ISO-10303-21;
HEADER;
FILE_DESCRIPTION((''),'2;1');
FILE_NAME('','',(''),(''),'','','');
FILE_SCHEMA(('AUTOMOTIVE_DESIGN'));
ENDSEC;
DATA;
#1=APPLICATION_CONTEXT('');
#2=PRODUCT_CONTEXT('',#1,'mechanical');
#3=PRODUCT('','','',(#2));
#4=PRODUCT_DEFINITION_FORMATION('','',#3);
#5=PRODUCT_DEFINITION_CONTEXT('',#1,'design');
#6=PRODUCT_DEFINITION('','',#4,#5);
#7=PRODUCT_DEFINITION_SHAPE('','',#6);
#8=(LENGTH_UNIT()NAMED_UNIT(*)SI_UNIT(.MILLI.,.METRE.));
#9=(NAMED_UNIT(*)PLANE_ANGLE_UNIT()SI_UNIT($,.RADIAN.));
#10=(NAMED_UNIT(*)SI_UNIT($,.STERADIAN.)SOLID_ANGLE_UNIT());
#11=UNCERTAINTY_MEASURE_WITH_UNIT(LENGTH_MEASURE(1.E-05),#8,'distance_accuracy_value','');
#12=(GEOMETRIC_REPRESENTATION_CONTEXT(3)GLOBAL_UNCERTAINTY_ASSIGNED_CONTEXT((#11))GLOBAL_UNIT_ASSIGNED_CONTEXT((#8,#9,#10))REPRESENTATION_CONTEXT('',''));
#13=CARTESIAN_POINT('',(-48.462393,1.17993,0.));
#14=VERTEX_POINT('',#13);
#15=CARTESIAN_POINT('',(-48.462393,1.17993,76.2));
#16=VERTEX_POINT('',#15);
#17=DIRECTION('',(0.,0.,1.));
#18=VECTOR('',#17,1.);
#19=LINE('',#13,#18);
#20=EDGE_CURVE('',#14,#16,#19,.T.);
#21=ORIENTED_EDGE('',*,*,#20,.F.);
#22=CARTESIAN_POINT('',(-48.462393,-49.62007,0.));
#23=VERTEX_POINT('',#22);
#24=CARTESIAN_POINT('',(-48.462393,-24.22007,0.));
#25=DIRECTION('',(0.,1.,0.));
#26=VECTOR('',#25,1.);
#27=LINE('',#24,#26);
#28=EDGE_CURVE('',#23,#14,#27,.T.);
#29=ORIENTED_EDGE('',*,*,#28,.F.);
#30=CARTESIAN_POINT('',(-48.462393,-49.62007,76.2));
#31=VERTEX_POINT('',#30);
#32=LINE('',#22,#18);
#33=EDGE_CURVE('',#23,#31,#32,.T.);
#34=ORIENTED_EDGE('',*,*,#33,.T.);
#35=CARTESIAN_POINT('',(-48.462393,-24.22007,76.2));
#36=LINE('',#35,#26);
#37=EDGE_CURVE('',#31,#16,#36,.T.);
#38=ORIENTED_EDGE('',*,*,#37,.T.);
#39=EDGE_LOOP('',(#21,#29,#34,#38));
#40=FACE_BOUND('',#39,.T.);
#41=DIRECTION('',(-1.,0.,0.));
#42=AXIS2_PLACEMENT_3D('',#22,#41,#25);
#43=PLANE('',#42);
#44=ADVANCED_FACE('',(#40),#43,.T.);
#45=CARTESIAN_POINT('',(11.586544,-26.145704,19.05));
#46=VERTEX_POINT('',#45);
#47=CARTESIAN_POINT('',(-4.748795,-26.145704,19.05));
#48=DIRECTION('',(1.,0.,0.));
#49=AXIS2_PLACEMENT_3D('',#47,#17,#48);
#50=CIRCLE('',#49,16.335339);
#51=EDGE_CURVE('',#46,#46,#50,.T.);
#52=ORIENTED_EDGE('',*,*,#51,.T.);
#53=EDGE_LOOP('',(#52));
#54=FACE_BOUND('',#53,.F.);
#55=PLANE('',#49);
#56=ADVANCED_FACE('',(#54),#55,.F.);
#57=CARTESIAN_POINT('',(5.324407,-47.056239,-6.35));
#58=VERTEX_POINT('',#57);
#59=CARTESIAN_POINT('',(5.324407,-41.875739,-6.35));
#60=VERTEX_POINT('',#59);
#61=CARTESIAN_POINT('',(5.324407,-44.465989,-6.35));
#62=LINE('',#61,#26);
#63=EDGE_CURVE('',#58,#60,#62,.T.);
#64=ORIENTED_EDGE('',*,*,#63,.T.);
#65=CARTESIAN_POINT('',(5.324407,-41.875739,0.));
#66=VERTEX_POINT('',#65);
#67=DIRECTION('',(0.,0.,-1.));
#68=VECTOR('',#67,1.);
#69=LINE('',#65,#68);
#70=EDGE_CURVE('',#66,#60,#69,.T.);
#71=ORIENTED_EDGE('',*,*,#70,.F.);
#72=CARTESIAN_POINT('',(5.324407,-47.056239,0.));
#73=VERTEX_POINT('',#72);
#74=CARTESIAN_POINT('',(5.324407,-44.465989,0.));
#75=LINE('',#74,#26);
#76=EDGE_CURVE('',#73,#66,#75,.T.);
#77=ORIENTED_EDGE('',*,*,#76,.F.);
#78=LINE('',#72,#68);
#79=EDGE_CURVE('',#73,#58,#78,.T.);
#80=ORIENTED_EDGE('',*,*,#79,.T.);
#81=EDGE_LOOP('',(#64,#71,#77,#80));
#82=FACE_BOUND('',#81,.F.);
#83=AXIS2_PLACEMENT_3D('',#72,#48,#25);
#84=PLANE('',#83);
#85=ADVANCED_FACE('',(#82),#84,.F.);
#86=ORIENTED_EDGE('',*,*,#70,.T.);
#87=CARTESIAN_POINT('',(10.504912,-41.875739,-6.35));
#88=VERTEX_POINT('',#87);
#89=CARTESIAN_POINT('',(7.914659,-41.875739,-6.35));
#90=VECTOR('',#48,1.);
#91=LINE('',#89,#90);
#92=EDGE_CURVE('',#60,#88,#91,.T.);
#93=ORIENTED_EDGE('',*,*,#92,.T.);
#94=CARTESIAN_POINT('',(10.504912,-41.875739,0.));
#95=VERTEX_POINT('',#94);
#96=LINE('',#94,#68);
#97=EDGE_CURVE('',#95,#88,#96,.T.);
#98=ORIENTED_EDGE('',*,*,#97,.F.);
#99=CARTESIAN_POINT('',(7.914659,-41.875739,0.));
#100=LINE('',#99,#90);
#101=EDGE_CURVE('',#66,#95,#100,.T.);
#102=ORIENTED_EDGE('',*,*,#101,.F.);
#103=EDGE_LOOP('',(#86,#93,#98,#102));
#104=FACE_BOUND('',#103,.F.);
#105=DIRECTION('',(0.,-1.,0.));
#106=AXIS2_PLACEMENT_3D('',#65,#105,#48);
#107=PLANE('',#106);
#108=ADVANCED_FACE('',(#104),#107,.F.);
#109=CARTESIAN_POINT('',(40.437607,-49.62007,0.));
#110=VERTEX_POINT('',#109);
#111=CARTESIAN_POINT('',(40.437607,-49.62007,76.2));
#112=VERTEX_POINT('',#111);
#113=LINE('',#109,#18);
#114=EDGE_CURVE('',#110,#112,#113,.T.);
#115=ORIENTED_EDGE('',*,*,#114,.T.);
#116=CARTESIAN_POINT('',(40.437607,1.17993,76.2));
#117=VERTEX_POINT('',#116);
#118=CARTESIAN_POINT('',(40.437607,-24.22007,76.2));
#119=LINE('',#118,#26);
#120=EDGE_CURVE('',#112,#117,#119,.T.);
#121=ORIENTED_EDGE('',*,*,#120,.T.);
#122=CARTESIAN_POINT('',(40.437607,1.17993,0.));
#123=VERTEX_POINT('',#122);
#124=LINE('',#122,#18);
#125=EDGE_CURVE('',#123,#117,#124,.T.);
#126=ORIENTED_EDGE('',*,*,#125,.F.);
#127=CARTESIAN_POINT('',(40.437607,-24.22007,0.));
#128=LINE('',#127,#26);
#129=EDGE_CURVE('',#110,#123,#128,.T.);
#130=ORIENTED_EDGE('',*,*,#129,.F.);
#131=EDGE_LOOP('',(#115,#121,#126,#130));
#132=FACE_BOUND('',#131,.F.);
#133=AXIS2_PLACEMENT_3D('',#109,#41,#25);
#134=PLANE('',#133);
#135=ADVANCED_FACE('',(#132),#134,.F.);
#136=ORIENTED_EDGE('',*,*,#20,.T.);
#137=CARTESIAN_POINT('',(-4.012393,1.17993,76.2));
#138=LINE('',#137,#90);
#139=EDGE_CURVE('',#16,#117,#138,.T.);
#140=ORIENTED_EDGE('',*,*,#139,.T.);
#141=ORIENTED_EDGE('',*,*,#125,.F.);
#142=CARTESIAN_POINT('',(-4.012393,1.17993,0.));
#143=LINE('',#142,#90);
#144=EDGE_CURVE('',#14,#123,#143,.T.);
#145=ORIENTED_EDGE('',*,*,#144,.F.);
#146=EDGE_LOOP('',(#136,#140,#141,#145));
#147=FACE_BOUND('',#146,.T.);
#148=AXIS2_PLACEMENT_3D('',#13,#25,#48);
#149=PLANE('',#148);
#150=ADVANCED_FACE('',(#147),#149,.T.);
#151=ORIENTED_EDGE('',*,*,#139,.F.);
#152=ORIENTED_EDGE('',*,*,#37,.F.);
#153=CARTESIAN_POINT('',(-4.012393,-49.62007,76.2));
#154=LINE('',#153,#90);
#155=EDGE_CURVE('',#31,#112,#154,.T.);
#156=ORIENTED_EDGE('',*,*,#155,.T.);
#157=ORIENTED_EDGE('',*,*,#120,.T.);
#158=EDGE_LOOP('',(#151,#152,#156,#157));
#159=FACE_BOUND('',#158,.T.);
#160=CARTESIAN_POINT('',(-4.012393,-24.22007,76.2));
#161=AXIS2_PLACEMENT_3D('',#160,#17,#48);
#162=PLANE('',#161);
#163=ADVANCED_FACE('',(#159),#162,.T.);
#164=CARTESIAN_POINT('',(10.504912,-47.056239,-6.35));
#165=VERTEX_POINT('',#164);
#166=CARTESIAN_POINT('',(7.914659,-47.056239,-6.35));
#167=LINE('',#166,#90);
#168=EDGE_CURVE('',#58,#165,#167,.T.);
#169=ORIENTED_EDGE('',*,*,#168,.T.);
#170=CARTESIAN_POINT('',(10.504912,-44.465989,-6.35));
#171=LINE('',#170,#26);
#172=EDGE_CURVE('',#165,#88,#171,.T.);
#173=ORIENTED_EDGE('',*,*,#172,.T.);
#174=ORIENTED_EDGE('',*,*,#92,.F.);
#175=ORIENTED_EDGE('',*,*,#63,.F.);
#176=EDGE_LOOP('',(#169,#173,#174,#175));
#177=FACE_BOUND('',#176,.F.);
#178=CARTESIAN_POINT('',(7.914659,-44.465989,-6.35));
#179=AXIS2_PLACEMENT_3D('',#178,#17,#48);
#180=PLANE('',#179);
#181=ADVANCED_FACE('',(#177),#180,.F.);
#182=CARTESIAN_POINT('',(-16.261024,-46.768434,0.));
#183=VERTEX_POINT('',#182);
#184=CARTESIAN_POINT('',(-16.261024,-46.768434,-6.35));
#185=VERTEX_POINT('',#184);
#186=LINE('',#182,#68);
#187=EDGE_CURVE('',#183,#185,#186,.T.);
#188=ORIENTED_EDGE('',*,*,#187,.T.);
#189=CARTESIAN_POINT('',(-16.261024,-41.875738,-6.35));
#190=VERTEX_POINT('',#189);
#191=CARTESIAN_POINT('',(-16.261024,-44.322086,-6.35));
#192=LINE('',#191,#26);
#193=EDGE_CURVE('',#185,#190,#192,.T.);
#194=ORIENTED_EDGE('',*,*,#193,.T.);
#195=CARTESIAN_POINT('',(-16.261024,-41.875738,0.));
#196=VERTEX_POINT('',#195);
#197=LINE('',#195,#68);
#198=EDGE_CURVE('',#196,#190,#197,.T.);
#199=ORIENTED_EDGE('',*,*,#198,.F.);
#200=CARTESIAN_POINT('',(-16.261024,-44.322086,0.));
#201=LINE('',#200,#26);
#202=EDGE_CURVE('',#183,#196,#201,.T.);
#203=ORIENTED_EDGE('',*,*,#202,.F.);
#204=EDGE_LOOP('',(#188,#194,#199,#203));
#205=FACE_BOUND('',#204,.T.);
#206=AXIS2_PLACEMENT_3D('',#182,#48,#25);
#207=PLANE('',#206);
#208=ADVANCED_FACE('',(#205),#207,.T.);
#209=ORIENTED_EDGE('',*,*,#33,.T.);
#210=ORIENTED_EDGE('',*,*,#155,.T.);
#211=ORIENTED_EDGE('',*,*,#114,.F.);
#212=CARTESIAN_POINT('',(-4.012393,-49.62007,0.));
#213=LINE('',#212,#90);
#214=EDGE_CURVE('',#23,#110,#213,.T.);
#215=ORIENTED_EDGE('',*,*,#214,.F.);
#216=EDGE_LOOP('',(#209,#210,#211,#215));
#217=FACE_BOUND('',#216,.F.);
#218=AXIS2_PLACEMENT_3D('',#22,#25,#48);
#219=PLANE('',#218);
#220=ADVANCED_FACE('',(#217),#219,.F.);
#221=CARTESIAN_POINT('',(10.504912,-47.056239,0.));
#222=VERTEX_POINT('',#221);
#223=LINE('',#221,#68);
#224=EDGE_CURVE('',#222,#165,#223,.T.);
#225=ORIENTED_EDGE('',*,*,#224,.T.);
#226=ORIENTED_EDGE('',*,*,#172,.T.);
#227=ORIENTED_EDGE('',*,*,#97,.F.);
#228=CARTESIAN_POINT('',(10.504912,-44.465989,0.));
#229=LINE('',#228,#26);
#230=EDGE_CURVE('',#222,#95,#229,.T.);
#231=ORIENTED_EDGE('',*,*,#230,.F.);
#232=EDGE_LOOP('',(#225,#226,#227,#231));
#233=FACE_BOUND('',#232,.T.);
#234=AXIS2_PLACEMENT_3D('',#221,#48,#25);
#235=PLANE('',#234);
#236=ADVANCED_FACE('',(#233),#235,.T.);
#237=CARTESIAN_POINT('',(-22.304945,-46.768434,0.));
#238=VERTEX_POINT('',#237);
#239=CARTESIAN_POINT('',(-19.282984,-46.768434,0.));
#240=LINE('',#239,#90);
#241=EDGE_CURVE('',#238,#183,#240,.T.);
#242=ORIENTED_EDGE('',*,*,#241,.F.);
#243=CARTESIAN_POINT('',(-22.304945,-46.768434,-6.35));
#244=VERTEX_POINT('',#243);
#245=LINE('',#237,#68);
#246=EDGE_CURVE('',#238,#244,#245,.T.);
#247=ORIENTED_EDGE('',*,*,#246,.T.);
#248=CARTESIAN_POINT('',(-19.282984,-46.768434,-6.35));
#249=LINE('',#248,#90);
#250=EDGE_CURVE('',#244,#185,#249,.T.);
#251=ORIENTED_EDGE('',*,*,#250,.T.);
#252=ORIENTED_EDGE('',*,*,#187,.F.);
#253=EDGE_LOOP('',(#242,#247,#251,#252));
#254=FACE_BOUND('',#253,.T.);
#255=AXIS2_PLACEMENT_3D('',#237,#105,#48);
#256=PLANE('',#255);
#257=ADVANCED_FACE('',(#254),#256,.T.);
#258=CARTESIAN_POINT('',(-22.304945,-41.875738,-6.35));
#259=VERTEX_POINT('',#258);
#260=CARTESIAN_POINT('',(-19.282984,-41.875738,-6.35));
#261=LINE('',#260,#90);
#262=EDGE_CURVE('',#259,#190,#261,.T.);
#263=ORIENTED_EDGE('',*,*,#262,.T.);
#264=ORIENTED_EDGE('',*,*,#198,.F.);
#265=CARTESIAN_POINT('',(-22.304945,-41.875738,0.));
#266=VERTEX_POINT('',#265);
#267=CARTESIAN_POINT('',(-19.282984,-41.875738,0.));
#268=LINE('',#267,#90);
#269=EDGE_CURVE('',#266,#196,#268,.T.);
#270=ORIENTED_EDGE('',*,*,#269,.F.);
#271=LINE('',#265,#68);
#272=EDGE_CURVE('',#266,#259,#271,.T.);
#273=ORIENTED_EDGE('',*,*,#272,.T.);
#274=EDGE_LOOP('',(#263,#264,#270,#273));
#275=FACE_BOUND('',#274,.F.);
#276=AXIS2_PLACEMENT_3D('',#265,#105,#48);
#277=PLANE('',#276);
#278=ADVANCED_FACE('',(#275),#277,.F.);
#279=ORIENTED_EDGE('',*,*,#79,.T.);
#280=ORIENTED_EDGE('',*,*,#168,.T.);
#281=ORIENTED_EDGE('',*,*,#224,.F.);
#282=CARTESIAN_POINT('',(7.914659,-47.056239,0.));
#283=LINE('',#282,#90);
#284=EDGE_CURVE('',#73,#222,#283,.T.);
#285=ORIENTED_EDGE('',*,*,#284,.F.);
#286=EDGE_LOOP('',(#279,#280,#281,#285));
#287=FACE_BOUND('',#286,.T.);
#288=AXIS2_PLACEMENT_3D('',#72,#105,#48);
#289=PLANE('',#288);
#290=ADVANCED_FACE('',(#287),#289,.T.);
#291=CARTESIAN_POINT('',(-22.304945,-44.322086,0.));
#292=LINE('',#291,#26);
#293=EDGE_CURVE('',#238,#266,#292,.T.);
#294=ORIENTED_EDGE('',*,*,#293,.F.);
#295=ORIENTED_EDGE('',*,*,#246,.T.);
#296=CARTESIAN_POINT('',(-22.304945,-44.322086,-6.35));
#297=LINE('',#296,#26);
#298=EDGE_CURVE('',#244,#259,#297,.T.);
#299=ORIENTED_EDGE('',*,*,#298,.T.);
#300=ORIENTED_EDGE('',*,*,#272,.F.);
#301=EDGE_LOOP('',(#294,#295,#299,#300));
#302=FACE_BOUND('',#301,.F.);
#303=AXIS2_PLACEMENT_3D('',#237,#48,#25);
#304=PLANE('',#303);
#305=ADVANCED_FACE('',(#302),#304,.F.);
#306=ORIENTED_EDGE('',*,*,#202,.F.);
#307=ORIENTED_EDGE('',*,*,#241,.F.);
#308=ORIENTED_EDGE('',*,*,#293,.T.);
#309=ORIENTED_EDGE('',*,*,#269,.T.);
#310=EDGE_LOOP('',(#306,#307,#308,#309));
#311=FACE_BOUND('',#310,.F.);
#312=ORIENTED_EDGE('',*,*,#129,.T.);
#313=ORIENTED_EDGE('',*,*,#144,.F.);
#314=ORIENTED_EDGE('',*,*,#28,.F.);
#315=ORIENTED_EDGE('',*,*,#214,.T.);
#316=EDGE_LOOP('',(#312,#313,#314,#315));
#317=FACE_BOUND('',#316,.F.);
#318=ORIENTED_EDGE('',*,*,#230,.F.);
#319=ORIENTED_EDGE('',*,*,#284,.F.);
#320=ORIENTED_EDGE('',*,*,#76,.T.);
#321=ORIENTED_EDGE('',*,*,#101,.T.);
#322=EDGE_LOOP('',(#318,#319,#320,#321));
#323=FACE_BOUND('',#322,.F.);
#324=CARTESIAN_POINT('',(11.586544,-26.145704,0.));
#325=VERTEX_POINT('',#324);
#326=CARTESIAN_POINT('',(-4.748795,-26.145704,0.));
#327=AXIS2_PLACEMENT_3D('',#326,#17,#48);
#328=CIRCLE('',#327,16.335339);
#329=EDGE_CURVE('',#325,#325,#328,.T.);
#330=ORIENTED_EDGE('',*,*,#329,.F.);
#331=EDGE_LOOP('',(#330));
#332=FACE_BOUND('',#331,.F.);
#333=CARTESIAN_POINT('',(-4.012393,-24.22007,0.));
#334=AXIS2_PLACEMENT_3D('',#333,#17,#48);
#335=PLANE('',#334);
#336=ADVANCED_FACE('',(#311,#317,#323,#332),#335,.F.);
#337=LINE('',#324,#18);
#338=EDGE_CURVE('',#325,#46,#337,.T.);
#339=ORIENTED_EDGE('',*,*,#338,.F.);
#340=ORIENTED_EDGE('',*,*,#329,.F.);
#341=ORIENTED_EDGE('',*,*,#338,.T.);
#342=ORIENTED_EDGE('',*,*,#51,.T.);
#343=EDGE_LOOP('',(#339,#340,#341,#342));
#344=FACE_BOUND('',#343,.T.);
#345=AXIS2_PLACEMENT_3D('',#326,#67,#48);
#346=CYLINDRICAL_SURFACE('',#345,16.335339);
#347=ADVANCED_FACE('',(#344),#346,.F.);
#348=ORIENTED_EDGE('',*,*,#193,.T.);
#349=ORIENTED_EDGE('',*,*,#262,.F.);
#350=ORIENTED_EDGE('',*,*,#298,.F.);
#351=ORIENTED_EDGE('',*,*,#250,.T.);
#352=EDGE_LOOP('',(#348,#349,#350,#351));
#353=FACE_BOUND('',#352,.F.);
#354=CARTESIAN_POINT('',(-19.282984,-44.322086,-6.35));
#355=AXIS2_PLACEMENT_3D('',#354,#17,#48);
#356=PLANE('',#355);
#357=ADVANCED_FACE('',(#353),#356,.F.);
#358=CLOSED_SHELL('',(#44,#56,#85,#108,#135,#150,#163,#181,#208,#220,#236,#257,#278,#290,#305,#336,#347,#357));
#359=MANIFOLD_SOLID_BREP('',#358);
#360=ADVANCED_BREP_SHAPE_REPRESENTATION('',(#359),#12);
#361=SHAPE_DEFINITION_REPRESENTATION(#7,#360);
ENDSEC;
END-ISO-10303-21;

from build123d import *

# Parameters (mm, degrees)
F0_W     = 88.9
F0_H     = 50.8
F1_DEPTH = 76.2
F2_R     = 16.335339
F3_DEPTH = 19.05
F4_W     = 4.892699
F4_H     = 4.604891
F4_W_2   = 4.317085
F4_H_2   = 4.029282
F5_DEPTH = 12.7
F6_W     = 6.043921
F6_H     = 4.892695
F6_W_2   = 5.180505
F6_H_2   = 5.1805
F7_DEPTH = 6.35


with BuildPart() as f1:
    # F0 (on Top) → F1 (new body)
    with BuildSketch(Plane.XY):
        with Locations((-4.012393, -24.22007)):
            Rectangle(F0_W, F0_H)
    extrude(amount=F1_DEPTH)

    # F2 (on Top) → F3 (cut)
    with BuildSketch(Plane.XY):
        with Locations((-4.748795, -26.145704)):
            Circle(F2_R)
    extrude(amount=F3_DEPTH, mode=Mode.SUBTRACT)

    # F4 (on Top) → F5 (join)
    with BuildSketch(Plane.XY):
        with Locations((-21.873237, -44.178185)):
            Rectangle(F4_W, F4_H)
        with Locations((9.785395, -44.178184)):
            Rectangle(F4_W_2, F4_H_2)
    extrude(amount=F5_DEPTH)

    # F6 (on Top) → F7 (join)
    with BuildSketch(Plane.XY):
        with Locations((-19.282984, -44.322086)):
            Rectangle(F6_W, F6_H)
        with Locations((7.914659, -44.465989)):
            Rectangle(F6_W_2, F6_H_2)
    extrude(amount=-F7_DEPTH)


solid = f1.part
